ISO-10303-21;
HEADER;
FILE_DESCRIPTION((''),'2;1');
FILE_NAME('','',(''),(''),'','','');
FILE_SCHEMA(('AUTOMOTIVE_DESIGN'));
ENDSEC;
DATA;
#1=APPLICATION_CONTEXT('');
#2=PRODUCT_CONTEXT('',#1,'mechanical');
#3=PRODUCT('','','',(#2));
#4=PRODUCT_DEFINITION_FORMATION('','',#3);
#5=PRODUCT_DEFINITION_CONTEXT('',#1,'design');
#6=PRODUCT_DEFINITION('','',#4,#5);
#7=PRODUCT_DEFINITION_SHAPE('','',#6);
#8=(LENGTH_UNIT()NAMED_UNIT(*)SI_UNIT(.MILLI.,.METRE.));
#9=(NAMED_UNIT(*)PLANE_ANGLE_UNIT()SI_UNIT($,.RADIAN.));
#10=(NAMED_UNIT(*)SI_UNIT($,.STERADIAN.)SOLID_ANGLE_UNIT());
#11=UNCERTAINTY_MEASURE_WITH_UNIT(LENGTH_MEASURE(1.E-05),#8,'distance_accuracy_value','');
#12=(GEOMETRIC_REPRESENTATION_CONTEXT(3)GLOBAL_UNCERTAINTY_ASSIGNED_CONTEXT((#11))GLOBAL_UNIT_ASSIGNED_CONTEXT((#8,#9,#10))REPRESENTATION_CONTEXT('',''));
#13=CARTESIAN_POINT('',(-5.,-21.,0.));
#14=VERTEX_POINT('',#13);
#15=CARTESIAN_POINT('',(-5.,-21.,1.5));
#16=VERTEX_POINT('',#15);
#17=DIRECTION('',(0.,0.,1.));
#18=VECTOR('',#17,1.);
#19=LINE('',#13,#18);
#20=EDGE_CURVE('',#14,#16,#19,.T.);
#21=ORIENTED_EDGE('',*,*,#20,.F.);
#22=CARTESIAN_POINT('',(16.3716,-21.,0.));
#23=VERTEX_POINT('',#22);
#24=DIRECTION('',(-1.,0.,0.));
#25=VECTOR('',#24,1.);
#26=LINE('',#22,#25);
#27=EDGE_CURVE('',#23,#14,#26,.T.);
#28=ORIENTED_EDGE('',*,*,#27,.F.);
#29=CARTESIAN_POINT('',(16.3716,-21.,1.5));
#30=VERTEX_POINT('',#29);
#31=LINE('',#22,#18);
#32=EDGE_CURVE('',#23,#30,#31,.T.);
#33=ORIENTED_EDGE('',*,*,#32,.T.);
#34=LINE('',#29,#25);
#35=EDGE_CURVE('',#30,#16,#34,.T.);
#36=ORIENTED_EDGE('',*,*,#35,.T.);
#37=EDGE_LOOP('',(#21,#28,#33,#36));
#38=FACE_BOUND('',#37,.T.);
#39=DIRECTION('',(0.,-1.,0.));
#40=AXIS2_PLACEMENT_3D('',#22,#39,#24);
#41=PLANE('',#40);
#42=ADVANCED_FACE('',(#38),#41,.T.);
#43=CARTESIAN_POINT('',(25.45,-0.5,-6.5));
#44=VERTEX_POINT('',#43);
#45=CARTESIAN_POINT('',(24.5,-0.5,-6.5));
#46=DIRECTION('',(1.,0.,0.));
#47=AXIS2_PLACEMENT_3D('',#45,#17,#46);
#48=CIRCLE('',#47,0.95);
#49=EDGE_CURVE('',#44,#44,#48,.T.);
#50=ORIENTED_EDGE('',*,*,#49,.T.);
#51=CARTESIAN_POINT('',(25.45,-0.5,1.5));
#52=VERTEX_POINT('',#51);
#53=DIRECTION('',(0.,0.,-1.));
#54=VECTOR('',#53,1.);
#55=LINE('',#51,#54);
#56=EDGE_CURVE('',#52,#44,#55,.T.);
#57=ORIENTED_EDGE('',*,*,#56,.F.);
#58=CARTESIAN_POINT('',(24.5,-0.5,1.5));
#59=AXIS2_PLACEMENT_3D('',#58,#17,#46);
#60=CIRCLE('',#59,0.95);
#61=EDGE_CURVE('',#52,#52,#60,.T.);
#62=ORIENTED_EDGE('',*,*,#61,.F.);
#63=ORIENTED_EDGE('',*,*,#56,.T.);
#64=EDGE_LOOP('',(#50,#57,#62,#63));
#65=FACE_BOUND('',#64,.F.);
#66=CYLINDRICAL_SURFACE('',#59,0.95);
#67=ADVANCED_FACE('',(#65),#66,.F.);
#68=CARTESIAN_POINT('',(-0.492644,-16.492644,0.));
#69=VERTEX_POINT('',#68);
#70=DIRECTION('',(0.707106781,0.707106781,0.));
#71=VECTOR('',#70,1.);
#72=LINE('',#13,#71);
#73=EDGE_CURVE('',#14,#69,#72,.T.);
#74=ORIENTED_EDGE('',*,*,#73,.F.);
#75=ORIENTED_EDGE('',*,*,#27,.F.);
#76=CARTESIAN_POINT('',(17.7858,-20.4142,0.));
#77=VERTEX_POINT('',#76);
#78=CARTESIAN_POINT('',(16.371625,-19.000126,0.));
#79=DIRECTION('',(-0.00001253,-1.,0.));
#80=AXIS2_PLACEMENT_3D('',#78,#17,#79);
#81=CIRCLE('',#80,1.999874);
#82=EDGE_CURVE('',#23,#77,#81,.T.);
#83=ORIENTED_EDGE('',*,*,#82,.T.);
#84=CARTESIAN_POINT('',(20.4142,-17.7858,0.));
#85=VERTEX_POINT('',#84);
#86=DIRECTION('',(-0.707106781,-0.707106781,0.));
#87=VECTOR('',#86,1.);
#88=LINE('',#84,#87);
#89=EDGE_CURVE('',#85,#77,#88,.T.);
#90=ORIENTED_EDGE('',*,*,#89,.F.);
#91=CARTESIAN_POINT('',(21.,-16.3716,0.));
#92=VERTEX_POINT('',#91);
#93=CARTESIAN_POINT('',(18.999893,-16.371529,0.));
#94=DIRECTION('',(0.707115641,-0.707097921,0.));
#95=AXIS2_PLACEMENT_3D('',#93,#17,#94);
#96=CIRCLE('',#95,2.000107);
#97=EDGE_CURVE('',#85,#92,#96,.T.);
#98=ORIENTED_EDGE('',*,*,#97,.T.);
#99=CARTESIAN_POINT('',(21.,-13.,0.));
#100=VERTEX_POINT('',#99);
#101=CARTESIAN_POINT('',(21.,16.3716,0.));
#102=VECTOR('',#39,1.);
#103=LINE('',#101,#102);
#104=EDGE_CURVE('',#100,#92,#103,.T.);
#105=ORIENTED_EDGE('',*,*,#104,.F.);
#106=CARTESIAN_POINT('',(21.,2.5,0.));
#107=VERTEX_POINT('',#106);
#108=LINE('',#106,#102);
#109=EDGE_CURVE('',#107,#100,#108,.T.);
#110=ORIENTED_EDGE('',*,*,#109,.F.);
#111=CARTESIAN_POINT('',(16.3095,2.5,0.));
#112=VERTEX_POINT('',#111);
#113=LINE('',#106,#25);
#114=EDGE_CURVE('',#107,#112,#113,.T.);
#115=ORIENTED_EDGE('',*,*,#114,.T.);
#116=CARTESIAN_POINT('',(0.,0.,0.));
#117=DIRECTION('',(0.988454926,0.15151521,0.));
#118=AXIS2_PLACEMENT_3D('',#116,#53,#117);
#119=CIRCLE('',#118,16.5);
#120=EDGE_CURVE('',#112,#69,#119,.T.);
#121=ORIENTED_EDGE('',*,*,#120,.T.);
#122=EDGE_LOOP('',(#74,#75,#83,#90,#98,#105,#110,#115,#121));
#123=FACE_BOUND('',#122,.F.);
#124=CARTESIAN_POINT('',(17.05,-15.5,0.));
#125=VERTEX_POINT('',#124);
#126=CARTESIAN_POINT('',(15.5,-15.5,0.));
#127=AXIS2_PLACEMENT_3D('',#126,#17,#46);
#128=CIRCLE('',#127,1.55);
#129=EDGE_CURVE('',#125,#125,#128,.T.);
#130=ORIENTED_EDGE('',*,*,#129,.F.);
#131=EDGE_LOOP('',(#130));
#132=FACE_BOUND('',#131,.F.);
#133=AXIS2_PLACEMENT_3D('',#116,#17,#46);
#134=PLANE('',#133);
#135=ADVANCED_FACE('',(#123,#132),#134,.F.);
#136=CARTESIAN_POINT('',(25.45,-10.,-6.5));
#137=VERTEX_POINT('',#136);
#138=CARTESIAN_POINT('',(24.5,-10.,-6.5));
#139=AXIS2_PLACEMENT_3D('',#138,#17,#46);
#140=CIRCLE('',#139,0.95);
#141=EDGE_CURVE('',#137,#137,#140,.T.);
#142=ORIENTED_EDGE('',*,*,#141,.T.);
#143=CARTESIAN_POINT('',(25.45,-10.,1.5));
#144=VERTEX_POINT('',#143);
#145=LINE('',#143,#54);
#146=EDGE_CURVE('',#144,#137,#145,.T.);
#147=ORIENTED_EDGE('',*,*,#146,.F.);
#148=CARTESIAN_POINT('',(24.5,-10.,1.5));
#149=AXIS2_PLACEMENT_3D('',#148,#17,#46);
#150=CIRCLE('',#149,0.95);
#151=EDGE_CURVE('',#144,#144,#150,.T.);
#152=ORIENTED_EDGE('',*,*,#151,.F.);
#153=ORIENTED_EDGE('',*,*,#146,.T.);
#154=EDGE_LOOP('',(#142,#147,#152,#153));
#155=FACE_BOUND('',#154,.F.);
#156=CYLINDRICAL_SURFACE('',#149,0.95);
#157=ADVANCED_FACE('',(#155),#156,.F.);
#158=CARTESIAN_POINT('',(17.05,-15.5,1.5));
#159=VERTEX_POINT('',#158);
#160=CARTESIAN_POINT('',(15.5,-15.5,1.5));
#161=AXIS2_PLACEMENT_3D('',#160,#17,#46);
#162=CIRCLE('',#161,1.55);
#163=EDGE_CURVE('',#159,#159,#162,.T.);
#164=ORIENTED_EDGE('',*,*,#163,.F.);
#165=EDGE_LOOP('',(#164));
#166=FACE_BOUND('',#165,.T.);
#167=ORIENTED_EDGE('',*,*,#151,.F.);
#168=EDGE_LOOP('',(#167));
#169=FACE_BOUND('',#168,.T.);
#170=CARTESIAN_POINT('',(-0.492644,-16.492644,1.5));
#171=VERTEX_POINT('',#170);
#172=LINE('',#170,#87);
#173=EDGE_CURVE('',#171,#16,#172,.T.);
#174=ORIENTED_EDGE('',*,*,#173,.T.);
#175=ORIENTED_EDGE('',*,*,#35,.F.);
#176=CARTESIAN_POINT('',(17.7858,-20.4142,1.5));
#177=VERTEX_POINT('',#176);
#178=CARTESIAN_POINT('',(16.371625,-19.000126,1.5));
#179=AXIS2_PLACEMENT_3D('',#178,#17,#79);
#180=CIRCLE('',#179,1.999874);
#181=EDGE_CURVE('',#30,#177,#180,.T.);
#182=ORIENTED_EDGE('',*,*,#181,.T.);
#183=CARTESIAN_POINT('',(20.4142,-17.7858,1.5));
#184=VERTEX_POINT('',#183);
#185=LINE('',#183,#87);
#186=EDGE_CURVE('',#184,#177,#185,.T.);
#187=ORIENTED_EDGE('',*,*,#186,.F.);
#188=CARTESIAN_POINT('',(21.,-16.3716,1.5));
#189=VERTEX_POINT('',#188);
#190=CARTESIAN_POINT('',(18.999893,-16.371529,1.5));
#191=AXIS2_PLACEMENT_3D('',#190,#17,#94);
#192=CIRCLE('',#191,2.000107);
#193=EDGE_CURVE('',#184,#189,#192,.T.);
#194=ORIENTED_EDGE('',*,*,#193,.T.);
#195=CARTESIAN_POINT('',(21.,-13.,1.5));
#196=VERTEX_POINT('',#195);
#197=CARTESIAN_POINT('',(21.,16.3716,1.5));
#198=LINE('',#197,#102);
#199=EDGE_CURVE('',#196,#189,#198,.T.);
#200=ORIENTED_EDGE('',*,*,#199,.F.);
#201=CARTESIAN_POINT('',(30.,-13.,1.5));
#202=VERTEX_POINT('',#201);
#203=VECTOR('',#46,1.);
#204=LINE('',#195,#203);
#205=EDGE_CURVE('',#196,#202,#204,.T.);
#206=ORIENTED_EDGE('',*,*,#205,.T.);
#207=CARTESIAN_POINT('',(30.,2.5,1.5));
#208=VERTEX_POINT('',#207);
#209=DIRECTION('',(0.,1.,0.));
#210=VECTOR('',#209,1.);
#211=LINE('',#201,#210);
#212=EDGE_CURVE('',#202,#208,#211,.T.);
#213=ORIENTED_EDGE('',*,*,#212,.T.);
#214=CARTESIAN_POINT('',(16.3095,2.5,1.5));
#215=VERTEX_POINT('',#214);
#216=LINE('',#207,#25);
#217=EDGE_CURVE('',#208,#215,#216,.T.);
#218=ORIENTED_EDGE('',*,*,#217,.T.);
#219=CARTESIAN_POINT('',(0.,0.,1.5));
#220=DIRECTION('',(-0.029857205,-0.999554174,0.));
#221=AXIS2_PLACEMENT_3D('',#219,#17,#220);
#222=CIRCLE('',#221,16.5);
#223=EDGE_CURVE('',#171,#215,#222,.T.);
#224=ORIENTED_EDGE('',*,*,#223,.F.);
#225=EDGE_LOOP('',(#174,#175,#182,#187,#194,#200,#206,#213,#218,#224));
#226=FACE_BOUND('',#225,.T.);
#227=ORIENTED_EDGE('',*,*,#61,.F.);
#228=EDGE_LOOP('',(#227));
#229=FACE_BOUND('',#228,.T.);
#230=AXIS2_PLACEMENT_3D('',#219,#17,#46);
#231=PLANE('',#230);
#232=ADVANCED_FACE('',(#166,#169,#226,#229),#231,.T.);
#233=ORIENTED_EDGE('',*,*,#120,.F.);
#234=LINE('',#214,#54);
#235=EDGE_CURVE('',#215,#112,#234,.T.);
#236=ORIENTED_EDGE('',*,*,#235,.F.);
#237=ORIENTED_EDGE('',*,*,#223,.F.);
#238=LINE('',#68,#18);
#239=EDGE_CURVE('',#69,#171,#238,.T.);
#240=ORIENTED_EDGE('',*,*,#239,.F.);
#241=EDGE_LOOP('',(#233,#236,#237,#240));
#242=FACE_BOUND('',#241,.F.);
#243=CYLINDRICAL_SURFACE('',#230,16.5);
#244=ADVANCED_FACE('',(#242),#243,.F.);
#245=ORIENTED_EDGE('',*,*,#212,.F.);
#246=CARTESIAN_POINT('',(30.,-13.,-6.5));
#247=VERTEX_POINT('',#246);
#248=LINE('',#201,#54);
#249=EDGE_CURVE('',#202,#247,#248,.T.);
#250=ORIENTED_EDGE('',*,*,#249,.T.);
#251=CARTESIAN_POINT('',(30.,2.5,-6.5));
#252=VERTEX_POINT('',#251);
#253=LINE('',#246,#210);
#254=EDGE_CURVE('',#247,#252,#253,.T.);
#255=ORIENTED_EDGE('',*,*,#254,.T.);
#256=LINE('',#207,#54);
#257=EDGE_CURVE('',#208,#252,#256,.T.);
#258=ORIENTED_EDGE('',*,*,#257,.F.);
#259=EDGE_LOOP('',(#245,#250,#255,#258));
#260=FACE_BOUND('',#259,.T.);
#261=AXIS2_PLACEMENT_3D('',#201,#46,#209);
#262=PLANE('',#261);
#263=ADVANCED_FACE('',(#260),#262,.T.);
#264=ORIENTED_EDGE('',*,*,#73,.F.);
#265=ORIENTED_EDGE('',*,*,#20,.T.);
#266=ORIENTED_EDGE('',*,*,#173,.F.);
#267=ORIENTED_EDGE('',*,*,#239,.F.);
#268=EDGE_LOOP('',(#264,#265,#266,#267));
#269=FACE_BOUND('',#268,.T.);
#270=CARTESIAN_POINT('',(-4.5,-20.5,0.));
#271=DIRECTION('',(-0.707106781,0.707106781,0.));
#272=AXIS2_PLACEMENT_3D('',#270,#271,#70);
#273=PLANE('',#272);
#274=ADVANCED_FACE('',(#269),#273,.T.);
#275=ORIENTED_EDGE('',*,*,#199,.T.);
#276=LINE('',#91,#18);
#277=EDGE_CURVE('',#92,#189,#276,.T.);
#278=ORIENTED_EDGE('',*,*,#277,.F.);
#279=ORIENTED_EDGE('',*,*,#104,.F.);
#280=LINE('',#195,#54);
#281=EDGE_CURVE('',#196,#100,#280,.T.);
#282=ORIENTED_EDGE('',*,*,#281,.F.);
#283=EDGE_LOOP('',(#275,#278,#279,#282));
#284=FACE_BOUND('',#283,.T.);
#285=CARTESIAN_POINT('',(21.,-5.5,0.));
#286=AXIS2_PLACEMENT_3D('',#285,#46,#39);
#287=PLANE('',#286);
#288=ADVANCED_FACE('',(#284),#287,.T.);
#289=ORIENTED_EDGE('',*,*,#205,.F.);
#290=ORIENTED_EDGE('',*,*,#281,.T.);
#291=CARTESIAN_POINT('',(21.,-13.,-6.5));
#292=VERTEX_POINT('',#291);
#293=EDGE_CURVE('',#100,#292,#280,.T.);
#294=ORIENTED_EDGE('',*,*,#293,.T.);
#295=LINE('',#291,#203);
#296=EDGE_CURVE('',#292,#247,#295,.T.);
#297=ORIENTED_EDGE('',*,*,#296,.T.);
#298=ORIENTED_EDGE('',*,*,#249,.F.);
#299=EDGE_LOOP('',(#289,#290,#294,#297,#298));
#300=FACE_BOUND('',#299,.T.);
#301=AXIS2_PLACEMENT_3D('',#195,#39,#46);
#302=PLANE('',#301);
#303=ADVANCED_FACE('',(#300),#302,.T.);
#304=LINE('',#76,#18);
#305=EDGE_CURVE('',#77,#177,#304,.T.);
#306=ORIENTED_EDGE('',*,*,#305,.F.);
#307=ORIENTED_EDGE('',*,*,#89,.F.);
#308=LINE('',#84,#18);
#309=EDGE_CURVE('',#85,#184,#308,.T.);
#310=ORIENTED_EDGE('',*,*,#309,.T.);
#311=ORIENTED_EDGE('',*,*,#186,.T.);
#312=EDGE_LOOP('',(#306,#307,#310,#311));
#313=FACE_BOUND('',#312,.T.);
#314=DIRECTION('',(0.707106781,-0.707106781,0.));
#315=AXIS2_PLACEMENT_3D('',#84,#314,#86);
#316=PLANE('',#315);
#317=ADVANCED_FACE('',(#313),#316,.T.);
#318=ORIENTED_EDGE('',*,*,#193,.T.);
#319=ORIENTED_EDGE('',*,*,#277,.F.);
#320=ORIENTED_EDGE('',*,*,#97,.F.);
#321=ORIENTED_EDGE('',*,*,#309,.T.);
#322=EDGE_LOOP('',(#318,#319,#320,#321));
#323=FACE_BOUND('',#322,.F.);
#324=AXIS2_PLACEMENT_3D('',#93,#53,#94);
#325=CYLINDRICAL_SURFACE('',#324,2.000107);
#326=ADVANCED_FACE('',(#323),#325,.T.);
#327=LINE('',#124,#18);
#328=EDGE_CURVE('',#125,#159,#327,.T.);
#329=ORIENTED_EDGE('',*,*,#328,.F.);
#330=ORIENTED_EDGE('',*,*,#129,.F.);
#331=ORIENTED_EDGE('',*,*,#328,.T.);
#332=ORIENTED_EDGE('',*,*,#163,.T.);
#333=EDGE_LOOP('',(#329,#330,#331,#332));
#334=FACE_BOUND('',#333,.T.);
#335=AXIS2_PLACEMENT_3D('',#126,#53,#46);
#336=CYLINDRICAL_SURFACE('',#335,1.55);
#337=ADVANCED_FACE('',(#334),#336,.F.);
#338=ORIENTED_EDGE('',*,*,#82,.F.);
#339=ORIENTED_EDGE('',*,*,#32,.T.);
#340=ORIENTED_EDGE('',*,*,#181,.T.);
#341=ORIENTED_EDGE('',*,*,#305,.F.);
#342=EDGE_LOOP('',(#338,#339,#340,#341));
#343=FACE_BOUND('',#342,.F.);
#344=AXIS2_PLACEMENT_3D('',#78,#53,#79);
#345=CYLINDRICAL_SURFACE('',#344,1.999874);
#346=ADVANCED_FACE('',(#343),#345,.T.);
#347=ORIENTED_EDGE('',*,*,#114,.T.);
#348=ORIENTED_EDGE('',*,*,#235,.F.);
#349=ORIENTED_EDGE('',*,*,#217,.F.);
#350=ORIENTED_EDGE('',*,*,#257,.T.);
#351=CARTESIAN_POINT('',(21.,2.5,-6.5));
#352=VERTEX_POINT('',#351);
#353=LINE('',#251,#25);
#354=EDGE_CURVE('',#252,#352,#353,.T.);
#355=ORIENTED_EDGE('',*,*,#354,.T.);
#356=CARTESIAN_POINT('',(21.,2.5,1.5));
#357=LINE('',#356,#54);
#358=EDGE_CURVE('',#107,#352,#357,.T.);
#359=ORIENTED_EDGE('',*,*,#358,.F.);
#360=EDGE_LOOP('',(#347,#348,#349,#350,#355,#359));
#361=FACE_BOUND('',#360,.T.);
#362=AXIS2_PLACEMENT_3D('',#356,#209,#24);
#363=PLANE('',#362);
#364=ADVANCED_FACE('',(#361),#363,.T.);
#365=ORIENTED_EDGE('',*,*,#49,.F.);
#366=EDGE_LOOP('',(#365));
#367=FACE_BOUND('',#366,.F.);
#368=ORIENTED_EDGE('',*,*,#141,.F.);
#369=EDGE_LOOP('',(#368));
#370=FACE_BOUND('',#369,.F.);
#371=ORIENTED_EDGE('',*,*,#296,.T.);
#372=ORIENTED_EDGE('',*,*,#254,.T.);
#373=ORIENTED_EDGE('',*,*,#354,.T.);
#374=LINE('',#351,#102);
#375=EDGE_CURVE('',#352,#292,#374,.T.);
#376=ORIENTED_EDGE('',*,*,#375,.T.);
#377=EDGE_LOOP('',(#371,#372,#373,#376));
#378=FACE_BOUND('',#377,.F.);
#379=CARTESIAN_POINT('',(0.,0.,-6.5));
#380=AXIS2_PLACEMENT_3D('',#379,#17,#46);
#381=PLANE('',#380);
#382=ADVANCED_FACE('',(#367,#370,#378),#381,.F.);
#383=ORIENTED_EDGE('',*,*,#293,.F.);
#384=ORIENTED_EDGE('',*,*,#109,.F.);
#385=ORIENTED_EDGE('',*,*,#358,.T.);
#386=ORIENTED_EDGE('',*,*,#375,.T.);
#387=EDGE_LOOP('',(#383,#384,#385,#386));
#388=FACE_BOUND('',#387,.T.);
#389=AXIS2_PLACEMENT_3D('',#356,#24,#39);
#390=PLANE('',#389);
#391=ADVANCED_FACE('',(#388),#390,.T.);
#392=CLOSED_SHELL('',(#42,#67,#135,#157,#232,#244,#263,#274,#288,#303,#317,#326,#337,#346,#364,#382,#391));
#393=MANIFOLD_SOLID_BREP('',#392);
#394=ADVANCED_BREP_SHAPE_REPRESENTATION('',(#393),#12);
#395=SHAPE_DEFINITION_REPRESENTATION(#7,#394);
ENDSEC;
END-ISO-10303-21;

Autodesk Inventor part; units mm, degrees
ref_plane "YZ Plane" through (0, 0, 0) normal (1, 0, 0) x (0, 1, 0)
ref_plane "XZ Plane" through (0, 0, 0) normal (0, 1, 0) x (-1, 0, 0)
ref_plane "XY Plane" through (0, 0, 0) normal (0, 0, 1) x (1, 0, 0)
sketch "Sketch1" plane through (0, 0, 0) normal (0, 0, 1) x (1, 0, 0)
  line L0 (20.0607, 17.4322) -> (17.4322, 20.0607)
  arc A0 (17.4322, 20.0607) -> (16.3716, 20.5) centre (16.3716, 19) ccw
  line L1 (16.3716, 20.5) -> (-16.3716, 20.5)
  arc A1 (-16.3716, 20.5) -> (-17.4322, 20.0607) centre (-16.3716, 19) ccw
  line L2 (-17.4322, 20.0607) -> (-20.0607, 17.4322)
  arc A2 (-20.0607, 17.4322) -> (-20.5, 16.3716) centre (-19, 16.3716) ccw
  line L3 (-20.5, 16.3716) -> (-20.5, -16.3716)
  arc A3 (-20.5, -16.3716) -> (-20.0607, -17.4322) centre (-19, -16.3716) ccw
  line L4 (-20.0607, -17.4322) -> (-17.4322, -20.0607)
  arc A4 (-17.4322, -20.0607) -> (-16.3716, -20.5) centre (-16.3716, -19) ccw
  line L5 (-16.3716, -20.5) -> (16.3716, -20.5)
  arc A5 (16.3716, -20.5) -> (17.4322, -20.0607) centre (16.3716, -19) ccw
  line L6 (17.4322, -20.0607) -> (20.0607, -17.4322)
  arc A6 (20.0607, -17.4322) -> (20.5, -16.3716) centre (19, -16.3716) ccw
  line L7 (20.5, -16.3716) -> (20.5, 16.3716)
  arc A7 (20.5, 16.3716) -> (20.0607, 17.4322) centre (19, 16.3716) ccw
  circle A8 centre (0, 0) radius 16.5
  circle A9 centre (15.5, 15.5) radius 1.55
  circle A10 centre (15.5, -15.5) radius 1.55
  circle A11 centre (-15.5, -15.5) radius 1.55
  circle A12 centre (-15.5, 15.5) radius 1.55
  line L8 (0, -13) -> (0, -16)
  line L9 (0, -13) -> (-1.914, -11.086)
  arc A13 (-11.25, 0) -> (-1.914, -11.086) centre (0, 0) ccw
  line L10 (-11.25, 0) -> (-11.25, -10.75)
  line L11 (-11.25, -10.75) -> (-21, -10.75)
  line L12 (-21, -10.75) -> (-21, -21)
  line L13 (-21, -21) -> (-5, -21)
  line L14 (-5, -21) -> (0, -16)
  circle A14 centre (-15.5, -15.5) radius 2.8
  line L15 (20.5, -5.5) -> (15.5563, -5.5)
  line L16 (21, 16.3716) -> (21, -16.3716)
  line L17 (21, -16.3716) -> (20.5, -16.3716)
  arc A15 (20.4142, -17.7858) -> (21, -16.3716) centre (19, -16.3716) ccw
  line L18 (20.4142, -17.7858) -> (17.7858, -20.4142)
  arc A16 (16.3716, -21) -> (17.7858, -20.4142) centre (16.3716, -19) ccw
  line L19 (16.3716, -21) -> (-16.3716, -21)
  line L20 (20.5, -5.5) -> (21, -5.5)
  point P0 (0, 0)
  point P1 (-0.4926, -16.4926)
  point P2 (-4.5, -20.5)
extrude "Extrusion1" add sketch "Sketch1" along normal blind 1.5 contours L20 L16 L17 L7 | L7 A6 L6 A5 L5 L14 A8 L15 | L17 A15 L18 A16 L19 L14 L5 A5 L6 A6
sketch "Sketch2" plane through (0, 0, 1.5) normal (0, 0, 1) x (1, 0, 0)
  circle A0 centre (24.5, -10) radius 0.95
  circle A1 centre (24.5, -0.5) radius 0.95
  line L0 (30, 2.5) -> (21, 2.5)
  line L1 (21, 2.5) -> (21, -13)
  line L2 (21, -13) -> (30, -13)
  line L3 (30, -13) -> (30, 2.5)
  point P0 (0, 0)
  point P1 (21, -5.5)
  dimension "d4" = 24.5
  dimension "d5" = 24.5
  dimension "d6" = 9.5
  dimension "d7" = 1.9
  dimension "d8" = 1.9
  dimension "d9" = 10
  dimension "d10" = 3
  dimension "d11" = 9
  dimension "d12" = 3
extrude "Extrusion2" add sketch "Sketch2" against normal blind 8
sketch "Sketch3" plane through (0, 0, 1.5) normal (0, 0, 1) x (1, 0, 0)
  arc A0 (-0.4926, -16.4926) -> (15.5563, -5.5) centre (0, 0) ccw projected
  circle A1 centre (24.5, -0.5) radius 0.95 projected
  circle A2 centre (24.5, -10) radius 0.95 projected
  line L0 (-0.4926, -16.4926) -> (-5, -21) projected
  line L1 (-5, -21) -> (16.3716, -21) projected
  arc A3 (16.3716, -21) -> (17.7858, -20.4142) centre (16.3716, -19) ccw projected
  line L2 (17.7858, -20.4142) -> (20.4142, -17.7858) projected
  arc A4 (20.4142, -17.7858) -> (21, -16.3716) centre (19, -16.3716) ccw projected
  line L3 (21, 2.5) -> (21, -5.5) projected
  line L4 (21, -13) -> (30, -13) projected
  line L5 (30, -13) -> (30, 2.5) projected
  line L6 (30, 2.5) -> (21, 2.5) projected
  line L7 (21, -5.5) -> (15.5563, -5.5) projected
  arc A5 (-0.4926, -16.4926) -> (15.5563, -5.5) centre (0, 0) ccw projected
  circle A6 centre (15.5, -15.5) radius 1.55 projected
  circle A7 centre (0, 0) radius 16.5
  line L8 (21, 2.5) -> (16.3095, 2.5)
  line L9 (21, -13) -> (30, -13) projected
  line L10 (22.3286, -13) -> (17.1369, -20.8478)
  arc A8 (16.3716, -21) -> (17.7858, -20.4142) centre (16.3716, -19) ccw projected
  line L11 (21, -16.3716) -> (21, -13) projected
  point P0 (0, 0)
  point P1 (21, -17)
  point P2 (15.5563, -5.5)
  point P3 (17.2535, -20.795)
  point P4 (17.9687, -20.2313)
extrude "Extrusion3" add sketch "Sketch3" against normal blind 1.5 contours A7 L8 L3 L7
properties part number "Y-LIMIT SWITCH PLATE"
